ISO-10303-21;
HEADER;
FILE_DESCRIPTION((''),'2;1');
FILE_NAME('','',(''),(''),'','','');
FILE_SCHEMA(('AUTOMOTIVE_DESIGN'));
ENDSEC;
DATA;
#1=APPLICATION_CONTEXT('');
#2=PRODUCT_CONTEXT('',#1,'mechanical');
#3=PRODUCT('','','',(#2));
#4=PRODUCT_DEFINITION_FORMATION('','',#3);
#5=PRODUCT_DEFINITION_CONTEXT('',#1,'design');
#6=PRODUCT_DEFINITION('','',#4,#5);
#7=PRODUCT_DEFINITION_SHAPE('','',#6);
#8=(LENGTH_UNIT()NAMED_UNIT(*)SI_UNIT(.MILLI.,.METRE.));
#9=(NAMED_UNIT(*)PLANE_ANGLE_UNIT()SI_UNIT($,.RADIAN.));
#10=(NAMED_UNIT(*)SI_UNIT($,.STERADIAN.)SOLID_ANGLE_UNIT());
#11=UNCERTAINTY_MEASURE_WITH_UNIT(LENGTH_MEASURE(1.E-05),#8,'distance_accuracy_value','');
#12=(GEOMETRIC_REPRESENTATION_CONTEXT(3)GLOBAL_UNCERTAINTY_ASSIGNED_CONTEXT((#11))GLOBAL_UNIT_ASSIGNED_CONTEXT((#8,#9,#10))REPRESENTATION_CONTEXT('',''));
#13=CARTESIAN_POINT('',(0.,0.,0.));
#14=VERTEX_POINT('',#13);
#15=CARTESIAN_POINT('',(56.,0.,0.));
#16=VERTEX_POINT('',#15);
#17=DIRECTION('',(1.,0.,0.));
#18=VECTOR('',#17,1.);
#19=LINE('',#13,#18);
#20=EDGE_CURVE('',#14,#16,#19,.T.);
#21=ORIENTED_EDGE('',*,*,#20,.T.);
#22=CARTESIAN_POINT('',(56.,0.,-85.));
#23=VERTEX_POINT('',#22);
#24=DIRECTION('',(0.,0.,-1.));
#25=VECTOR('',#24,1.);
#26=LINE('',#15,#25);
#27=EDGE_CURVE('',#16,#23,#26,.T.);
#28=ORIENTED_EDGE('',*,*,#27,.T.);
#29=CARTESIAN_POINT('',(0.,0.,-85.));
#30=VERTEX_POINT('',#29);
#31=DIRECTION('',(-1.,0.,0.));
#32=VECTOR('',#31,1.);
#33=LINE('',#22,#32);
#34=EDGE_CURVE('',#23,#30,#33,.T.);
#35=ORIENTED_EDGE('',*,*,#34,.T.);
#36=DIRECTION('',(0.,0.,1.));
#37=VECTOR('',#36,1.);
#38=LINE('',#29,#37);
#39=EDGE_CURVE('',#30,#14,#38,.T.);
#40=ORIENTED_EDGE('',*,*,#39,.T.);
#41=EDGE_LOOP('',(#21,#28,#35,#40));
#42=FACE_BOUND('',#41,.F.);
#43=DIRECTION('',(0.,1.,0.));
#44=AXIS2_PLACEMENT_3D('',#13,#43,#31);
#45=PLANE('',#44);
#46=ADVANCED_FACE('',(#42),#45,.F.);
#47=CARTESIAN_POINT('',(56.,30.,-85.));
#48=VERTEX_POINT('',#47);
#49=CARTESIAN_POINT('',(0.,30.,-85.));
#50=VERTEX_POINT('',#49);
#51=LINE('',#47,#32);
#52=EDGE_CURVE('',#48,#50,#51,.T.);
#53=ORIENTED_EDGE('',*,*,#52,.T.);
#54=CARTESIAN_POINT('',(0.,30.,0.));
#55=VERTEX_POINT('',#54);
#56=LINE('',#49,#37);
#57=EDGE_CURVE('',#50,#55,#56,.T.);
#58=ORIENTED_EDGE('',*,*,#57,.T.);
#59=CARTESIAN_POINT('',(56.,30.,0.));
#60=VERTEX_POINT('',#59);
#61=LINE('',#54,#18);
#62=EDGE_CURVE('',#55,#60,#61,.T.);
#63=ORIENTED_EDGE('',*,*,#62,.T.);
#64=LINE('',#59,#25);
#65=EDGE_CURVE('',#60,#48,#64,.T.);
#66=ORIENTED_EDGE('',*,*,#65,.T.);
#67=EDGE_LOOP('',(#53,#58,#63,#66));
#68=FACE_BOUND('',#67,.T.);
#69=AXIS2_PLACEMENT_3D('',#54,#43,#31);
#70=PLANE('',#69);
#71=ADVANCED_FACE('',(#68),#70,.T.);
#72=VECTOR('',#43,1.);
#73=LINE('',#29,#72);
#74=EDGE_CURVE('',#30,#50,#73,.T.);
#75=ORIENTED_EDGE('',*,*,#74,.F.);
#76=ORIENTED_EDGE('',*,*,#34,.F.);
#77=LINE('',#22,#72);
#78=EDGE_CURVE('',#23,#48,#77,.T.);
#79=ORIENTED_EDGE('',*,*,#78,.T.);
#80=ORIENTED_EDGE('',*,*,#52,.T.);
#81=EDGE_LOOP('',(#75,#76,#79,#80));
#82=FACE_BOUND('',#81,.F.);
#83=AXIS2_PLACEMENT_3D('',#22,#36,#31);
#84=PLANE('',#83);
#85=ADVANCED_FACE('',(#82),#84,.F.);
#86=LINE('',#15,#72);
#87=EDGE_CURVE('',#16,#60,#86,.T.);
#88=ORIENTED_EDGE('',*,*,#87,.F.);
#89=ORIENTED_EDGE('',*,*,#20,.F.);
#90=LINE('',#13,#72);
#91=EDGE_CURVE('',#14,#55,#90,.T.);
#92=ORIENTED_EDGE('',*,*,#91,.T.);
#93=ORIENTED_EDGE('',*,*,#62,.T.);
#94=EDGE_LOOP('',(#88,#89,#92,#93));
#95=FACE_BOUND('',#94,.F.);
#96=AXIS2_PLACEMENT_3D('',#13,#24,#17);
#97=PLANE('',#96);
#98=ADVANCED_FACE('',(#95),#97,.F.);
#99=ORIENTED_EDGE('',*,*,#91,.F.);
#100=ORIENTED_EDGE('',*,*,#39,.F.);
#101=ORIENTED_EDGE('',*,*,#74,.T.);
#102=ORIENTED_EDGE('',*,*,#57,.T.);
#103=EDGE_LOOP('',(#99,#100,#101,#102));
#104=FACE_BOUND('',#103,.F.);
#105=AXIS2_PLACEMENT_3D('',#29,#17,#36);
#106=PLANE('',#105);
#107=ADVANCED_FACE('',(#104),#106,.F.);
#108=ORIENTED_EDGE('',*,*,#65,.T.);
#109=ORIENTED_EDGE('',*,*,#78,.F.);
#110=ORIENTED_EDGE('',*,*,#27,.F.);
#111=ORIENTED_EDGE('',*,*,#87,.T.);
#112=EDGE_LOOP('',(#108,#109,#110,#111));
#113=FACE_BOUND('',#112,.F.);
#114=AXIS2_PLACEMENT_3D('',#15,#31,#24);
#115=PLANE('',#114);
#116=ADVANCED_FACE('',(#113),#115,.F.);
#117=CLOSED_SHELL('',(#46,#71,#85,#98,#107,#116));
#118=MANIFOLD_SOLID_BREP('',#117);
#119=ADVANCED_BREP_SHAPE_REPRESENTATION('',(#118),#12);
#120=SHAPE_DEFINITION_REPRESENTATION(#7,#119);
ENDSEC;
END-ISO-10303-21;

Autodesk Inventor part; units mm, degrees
ref_plane "YZ Plane" through (0, 0, 0) normal (1, 0, 0) x (0, 1, 0)
ref_plane "XZ Plane" through (0, 0, 0) normal (0, 1, 0) x (-1, 0, 0)
ref_plane "XY Plane" through (0, 0, 0) normal (0, 0, 1) x (1, 0, 0)
sketch "Sketch1" plane through (0, 0, 0) normal (0, 1, 0) x (-1, 0, 0)
  line L0 (0, 0) -> (-56, 0)
  line L1 (-56, 0) -> (-56, -85)
  line L2 (-56, -85) -> (0, -85)
  line L3 (0, -85) -> (0, 0)
  dimension "d0" = 85
  dimension "d1" = 56
extrude "Extrusion1" add sketch "Sketch1" along normal blind 30
properties part number "rasberry pi"
